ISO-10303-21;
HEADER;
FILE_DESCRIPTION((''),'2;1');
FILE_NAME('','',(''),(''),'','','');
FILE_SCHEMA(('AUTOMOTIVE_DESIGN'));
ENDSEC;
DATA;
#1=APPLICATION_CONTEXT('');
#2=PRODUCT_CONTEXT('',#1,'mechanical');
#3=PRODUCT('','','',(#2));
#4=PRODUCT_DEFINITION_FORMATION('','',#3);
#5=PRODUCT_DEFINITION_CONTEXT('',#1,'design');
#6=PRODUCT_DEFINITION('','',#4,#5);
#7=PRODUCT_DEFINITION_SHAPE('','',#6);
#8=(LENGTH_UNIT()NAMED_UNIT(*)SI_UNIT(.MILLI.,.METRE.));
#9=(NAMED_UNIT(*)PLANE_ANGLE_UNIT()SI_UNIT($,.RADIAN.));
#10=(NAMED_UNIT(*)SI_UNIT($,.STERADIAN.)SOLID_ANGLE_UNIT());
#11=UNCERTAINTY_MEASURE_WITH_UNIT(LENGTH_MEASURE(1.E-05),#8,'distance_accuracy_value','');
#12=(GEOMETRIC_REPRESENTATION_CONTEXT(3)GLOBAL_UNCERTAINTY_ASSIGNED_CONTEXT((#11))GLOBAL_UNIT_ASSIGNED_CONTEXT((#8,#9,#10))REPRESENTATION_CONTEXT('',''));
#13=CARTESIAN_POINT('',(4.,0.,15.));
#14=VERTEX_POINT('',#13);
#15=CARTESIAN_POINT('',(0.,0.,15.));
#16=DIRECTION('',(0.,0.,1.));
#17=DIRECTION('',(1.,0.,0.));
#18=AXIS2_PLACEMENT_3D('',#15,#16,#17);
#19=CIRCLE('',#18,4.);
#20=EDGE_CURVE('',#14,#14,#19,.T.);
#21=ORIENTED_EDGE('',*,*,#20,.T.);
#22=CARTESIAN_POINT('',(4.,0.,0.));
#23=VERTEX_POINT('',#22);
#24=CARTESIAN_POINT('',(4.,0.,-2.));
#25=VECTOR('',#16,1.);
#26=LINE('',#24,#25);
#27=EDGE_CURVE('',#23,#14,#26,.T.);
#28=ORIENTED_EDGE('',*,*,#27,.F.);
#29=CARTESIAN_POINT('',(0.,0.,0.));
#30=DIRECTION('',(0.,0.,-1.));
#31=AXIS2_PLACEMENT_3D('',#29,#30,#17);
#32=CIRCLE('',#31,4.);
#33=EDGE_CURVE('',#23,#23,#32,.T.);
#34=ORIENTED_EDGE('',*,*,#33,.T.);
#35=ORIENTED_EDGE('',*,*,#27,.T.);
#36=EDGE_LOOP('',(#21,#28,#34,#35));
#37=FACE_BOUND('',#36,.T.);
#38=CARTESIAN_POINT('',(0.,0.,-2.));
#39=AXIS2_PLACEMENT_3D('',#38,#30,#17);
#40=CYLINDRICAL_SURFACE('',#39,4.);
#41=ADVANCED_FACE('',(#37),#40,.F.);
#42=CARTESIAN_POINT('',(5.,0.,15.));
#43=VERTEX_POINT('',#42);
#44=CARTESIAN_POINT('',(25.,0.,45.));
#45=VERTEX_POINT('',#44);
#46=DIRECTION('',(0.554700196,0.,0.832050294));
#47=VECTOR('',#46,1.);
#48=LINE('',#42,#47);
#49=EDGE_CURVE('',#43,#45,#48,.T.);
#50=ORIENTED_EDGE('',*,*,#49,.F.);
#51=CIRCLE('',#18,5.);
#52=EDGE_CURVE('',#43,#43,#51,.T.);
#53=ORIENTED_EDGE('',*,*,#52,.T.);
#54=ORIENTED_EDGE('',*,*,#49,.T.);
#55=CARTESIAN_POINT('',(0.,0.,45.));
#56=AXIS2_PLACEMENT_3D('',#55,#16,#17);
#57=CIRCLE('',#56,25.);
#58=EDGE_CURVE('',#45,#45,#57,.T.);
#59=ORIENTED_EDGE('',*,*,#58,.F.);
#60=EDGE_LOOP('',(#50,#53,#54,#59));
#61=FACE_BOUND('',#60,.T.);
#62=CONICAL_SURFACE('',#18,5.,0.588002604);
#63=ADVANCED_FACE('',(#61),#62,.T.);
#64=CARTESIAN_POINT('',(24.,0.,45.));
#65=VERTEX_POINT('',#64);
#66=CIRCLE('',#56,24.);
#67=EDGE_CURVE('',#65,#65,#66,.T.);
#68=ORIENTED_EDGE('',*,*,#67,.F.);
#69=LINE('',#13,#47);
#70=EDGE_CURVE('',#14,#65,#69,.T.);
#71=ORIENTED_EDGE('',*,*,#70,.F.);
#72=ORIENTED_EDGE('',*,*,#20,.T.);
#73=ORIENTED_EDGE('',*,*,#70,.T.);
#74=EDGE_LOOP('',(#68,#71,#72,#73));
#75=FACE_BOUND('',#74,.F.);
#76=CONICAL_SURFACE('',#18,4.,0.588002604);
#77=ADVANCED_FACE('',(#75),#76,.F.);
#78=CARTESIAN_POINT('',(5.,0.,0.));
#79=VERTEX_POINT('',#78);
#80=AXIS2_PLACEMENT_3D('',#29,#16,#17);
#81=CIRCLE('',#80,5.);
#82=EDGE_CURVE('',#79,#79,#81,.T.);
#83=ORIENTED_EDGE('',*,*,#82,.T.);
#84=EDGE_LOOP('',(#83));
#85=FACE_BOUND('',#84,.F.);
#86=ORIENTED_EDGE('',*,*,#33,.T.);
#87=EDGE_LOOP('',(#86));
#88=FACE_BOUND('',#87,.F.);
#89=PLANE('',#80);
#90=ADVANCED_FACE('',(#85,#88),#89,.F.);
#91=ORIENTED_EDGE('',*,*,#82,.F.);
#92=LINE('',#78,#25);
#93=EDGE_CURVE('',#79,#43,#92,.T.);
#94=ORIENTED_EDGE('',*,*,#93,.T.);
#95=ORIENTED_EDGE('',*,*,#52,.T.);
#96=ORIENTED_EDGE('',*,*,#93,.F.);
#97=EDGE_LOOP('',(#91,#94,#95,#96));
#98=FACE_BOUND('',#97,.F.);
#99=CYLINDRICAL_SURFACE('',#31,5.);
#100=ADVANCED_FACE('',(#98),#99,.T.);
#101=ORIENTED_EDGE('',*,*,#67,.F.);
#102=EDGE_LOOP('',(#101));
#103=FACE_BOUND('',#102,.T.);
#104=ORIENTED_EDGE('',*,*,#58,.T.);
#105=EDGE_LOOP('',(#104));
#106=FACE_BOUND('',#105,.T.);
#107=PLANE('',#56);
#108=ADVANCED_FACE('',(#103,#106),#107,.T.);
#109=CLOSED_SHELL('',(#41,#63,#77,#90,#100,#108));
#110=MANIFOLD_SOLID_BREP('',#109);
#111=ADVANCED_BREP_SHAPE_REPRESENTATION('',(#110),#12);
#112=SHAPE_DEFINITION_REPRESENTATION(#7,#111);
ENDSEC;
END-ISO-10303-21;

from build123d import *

# Parameters (mm, degrees)
CYLINDER001_R     = 4
CYLINDER001_DEPTH = 20
CYLINDER_R        = 5
CYLINDER_DEPTH    = 15


with BuildPart() as embudo_ext001:
    # Cone001 → Cone001 (revolve)
    with BuildSketch(Plane(origin=(0, 0, 15), x_dir=(1, 0, 0), z_dir=(0, -1, 0))):
        Polygon((0, 0), (4, 0), (24, 30), (0, 30), align=None)
    revolve(axis=Axis((0, 0, 15), (0, 0, 1)))


with BuildPart() as vaciado:
    # Cylinder001 → Cylinder001 (new body)
    with BuildSketch(Plane.XY.offset(-2)):
        Circle(CYLINDER001_R)
    extrude(amount=CYLINDER001_DEPTH)

    # Fusion001: union Embudo_ext001
    add(embudo_ext001.part)


with BuildPart() as embudo_ext:
    # Cone → Cone (revolve)
    with BuildSketch(Plane(origin=(0, 0, 15), x_dir=(1, 0, 0), z_dir=(0, -1, 0))):
        Polygon((0, 0), (5, 0), (25, 30), (0, 30), align=None)
    revolve(axis=Axis((0, 0, 15), (0, 0, 1)))


with BuildPart() as embudo:
    # Cylinder → Cylinder (new body)
    with BuildSketch(Plane.XY):
        Circle(CYLINDER_R)
    extrude(amount=CYLINDER_DEPTH)

    # Fusion: union Embudo_ext
    add(embudo_ext.part)

    # Cut: cut Vaciado
    add(vaciado.part, mode=Mode.SUBTRACT)


solid = embudo.part
